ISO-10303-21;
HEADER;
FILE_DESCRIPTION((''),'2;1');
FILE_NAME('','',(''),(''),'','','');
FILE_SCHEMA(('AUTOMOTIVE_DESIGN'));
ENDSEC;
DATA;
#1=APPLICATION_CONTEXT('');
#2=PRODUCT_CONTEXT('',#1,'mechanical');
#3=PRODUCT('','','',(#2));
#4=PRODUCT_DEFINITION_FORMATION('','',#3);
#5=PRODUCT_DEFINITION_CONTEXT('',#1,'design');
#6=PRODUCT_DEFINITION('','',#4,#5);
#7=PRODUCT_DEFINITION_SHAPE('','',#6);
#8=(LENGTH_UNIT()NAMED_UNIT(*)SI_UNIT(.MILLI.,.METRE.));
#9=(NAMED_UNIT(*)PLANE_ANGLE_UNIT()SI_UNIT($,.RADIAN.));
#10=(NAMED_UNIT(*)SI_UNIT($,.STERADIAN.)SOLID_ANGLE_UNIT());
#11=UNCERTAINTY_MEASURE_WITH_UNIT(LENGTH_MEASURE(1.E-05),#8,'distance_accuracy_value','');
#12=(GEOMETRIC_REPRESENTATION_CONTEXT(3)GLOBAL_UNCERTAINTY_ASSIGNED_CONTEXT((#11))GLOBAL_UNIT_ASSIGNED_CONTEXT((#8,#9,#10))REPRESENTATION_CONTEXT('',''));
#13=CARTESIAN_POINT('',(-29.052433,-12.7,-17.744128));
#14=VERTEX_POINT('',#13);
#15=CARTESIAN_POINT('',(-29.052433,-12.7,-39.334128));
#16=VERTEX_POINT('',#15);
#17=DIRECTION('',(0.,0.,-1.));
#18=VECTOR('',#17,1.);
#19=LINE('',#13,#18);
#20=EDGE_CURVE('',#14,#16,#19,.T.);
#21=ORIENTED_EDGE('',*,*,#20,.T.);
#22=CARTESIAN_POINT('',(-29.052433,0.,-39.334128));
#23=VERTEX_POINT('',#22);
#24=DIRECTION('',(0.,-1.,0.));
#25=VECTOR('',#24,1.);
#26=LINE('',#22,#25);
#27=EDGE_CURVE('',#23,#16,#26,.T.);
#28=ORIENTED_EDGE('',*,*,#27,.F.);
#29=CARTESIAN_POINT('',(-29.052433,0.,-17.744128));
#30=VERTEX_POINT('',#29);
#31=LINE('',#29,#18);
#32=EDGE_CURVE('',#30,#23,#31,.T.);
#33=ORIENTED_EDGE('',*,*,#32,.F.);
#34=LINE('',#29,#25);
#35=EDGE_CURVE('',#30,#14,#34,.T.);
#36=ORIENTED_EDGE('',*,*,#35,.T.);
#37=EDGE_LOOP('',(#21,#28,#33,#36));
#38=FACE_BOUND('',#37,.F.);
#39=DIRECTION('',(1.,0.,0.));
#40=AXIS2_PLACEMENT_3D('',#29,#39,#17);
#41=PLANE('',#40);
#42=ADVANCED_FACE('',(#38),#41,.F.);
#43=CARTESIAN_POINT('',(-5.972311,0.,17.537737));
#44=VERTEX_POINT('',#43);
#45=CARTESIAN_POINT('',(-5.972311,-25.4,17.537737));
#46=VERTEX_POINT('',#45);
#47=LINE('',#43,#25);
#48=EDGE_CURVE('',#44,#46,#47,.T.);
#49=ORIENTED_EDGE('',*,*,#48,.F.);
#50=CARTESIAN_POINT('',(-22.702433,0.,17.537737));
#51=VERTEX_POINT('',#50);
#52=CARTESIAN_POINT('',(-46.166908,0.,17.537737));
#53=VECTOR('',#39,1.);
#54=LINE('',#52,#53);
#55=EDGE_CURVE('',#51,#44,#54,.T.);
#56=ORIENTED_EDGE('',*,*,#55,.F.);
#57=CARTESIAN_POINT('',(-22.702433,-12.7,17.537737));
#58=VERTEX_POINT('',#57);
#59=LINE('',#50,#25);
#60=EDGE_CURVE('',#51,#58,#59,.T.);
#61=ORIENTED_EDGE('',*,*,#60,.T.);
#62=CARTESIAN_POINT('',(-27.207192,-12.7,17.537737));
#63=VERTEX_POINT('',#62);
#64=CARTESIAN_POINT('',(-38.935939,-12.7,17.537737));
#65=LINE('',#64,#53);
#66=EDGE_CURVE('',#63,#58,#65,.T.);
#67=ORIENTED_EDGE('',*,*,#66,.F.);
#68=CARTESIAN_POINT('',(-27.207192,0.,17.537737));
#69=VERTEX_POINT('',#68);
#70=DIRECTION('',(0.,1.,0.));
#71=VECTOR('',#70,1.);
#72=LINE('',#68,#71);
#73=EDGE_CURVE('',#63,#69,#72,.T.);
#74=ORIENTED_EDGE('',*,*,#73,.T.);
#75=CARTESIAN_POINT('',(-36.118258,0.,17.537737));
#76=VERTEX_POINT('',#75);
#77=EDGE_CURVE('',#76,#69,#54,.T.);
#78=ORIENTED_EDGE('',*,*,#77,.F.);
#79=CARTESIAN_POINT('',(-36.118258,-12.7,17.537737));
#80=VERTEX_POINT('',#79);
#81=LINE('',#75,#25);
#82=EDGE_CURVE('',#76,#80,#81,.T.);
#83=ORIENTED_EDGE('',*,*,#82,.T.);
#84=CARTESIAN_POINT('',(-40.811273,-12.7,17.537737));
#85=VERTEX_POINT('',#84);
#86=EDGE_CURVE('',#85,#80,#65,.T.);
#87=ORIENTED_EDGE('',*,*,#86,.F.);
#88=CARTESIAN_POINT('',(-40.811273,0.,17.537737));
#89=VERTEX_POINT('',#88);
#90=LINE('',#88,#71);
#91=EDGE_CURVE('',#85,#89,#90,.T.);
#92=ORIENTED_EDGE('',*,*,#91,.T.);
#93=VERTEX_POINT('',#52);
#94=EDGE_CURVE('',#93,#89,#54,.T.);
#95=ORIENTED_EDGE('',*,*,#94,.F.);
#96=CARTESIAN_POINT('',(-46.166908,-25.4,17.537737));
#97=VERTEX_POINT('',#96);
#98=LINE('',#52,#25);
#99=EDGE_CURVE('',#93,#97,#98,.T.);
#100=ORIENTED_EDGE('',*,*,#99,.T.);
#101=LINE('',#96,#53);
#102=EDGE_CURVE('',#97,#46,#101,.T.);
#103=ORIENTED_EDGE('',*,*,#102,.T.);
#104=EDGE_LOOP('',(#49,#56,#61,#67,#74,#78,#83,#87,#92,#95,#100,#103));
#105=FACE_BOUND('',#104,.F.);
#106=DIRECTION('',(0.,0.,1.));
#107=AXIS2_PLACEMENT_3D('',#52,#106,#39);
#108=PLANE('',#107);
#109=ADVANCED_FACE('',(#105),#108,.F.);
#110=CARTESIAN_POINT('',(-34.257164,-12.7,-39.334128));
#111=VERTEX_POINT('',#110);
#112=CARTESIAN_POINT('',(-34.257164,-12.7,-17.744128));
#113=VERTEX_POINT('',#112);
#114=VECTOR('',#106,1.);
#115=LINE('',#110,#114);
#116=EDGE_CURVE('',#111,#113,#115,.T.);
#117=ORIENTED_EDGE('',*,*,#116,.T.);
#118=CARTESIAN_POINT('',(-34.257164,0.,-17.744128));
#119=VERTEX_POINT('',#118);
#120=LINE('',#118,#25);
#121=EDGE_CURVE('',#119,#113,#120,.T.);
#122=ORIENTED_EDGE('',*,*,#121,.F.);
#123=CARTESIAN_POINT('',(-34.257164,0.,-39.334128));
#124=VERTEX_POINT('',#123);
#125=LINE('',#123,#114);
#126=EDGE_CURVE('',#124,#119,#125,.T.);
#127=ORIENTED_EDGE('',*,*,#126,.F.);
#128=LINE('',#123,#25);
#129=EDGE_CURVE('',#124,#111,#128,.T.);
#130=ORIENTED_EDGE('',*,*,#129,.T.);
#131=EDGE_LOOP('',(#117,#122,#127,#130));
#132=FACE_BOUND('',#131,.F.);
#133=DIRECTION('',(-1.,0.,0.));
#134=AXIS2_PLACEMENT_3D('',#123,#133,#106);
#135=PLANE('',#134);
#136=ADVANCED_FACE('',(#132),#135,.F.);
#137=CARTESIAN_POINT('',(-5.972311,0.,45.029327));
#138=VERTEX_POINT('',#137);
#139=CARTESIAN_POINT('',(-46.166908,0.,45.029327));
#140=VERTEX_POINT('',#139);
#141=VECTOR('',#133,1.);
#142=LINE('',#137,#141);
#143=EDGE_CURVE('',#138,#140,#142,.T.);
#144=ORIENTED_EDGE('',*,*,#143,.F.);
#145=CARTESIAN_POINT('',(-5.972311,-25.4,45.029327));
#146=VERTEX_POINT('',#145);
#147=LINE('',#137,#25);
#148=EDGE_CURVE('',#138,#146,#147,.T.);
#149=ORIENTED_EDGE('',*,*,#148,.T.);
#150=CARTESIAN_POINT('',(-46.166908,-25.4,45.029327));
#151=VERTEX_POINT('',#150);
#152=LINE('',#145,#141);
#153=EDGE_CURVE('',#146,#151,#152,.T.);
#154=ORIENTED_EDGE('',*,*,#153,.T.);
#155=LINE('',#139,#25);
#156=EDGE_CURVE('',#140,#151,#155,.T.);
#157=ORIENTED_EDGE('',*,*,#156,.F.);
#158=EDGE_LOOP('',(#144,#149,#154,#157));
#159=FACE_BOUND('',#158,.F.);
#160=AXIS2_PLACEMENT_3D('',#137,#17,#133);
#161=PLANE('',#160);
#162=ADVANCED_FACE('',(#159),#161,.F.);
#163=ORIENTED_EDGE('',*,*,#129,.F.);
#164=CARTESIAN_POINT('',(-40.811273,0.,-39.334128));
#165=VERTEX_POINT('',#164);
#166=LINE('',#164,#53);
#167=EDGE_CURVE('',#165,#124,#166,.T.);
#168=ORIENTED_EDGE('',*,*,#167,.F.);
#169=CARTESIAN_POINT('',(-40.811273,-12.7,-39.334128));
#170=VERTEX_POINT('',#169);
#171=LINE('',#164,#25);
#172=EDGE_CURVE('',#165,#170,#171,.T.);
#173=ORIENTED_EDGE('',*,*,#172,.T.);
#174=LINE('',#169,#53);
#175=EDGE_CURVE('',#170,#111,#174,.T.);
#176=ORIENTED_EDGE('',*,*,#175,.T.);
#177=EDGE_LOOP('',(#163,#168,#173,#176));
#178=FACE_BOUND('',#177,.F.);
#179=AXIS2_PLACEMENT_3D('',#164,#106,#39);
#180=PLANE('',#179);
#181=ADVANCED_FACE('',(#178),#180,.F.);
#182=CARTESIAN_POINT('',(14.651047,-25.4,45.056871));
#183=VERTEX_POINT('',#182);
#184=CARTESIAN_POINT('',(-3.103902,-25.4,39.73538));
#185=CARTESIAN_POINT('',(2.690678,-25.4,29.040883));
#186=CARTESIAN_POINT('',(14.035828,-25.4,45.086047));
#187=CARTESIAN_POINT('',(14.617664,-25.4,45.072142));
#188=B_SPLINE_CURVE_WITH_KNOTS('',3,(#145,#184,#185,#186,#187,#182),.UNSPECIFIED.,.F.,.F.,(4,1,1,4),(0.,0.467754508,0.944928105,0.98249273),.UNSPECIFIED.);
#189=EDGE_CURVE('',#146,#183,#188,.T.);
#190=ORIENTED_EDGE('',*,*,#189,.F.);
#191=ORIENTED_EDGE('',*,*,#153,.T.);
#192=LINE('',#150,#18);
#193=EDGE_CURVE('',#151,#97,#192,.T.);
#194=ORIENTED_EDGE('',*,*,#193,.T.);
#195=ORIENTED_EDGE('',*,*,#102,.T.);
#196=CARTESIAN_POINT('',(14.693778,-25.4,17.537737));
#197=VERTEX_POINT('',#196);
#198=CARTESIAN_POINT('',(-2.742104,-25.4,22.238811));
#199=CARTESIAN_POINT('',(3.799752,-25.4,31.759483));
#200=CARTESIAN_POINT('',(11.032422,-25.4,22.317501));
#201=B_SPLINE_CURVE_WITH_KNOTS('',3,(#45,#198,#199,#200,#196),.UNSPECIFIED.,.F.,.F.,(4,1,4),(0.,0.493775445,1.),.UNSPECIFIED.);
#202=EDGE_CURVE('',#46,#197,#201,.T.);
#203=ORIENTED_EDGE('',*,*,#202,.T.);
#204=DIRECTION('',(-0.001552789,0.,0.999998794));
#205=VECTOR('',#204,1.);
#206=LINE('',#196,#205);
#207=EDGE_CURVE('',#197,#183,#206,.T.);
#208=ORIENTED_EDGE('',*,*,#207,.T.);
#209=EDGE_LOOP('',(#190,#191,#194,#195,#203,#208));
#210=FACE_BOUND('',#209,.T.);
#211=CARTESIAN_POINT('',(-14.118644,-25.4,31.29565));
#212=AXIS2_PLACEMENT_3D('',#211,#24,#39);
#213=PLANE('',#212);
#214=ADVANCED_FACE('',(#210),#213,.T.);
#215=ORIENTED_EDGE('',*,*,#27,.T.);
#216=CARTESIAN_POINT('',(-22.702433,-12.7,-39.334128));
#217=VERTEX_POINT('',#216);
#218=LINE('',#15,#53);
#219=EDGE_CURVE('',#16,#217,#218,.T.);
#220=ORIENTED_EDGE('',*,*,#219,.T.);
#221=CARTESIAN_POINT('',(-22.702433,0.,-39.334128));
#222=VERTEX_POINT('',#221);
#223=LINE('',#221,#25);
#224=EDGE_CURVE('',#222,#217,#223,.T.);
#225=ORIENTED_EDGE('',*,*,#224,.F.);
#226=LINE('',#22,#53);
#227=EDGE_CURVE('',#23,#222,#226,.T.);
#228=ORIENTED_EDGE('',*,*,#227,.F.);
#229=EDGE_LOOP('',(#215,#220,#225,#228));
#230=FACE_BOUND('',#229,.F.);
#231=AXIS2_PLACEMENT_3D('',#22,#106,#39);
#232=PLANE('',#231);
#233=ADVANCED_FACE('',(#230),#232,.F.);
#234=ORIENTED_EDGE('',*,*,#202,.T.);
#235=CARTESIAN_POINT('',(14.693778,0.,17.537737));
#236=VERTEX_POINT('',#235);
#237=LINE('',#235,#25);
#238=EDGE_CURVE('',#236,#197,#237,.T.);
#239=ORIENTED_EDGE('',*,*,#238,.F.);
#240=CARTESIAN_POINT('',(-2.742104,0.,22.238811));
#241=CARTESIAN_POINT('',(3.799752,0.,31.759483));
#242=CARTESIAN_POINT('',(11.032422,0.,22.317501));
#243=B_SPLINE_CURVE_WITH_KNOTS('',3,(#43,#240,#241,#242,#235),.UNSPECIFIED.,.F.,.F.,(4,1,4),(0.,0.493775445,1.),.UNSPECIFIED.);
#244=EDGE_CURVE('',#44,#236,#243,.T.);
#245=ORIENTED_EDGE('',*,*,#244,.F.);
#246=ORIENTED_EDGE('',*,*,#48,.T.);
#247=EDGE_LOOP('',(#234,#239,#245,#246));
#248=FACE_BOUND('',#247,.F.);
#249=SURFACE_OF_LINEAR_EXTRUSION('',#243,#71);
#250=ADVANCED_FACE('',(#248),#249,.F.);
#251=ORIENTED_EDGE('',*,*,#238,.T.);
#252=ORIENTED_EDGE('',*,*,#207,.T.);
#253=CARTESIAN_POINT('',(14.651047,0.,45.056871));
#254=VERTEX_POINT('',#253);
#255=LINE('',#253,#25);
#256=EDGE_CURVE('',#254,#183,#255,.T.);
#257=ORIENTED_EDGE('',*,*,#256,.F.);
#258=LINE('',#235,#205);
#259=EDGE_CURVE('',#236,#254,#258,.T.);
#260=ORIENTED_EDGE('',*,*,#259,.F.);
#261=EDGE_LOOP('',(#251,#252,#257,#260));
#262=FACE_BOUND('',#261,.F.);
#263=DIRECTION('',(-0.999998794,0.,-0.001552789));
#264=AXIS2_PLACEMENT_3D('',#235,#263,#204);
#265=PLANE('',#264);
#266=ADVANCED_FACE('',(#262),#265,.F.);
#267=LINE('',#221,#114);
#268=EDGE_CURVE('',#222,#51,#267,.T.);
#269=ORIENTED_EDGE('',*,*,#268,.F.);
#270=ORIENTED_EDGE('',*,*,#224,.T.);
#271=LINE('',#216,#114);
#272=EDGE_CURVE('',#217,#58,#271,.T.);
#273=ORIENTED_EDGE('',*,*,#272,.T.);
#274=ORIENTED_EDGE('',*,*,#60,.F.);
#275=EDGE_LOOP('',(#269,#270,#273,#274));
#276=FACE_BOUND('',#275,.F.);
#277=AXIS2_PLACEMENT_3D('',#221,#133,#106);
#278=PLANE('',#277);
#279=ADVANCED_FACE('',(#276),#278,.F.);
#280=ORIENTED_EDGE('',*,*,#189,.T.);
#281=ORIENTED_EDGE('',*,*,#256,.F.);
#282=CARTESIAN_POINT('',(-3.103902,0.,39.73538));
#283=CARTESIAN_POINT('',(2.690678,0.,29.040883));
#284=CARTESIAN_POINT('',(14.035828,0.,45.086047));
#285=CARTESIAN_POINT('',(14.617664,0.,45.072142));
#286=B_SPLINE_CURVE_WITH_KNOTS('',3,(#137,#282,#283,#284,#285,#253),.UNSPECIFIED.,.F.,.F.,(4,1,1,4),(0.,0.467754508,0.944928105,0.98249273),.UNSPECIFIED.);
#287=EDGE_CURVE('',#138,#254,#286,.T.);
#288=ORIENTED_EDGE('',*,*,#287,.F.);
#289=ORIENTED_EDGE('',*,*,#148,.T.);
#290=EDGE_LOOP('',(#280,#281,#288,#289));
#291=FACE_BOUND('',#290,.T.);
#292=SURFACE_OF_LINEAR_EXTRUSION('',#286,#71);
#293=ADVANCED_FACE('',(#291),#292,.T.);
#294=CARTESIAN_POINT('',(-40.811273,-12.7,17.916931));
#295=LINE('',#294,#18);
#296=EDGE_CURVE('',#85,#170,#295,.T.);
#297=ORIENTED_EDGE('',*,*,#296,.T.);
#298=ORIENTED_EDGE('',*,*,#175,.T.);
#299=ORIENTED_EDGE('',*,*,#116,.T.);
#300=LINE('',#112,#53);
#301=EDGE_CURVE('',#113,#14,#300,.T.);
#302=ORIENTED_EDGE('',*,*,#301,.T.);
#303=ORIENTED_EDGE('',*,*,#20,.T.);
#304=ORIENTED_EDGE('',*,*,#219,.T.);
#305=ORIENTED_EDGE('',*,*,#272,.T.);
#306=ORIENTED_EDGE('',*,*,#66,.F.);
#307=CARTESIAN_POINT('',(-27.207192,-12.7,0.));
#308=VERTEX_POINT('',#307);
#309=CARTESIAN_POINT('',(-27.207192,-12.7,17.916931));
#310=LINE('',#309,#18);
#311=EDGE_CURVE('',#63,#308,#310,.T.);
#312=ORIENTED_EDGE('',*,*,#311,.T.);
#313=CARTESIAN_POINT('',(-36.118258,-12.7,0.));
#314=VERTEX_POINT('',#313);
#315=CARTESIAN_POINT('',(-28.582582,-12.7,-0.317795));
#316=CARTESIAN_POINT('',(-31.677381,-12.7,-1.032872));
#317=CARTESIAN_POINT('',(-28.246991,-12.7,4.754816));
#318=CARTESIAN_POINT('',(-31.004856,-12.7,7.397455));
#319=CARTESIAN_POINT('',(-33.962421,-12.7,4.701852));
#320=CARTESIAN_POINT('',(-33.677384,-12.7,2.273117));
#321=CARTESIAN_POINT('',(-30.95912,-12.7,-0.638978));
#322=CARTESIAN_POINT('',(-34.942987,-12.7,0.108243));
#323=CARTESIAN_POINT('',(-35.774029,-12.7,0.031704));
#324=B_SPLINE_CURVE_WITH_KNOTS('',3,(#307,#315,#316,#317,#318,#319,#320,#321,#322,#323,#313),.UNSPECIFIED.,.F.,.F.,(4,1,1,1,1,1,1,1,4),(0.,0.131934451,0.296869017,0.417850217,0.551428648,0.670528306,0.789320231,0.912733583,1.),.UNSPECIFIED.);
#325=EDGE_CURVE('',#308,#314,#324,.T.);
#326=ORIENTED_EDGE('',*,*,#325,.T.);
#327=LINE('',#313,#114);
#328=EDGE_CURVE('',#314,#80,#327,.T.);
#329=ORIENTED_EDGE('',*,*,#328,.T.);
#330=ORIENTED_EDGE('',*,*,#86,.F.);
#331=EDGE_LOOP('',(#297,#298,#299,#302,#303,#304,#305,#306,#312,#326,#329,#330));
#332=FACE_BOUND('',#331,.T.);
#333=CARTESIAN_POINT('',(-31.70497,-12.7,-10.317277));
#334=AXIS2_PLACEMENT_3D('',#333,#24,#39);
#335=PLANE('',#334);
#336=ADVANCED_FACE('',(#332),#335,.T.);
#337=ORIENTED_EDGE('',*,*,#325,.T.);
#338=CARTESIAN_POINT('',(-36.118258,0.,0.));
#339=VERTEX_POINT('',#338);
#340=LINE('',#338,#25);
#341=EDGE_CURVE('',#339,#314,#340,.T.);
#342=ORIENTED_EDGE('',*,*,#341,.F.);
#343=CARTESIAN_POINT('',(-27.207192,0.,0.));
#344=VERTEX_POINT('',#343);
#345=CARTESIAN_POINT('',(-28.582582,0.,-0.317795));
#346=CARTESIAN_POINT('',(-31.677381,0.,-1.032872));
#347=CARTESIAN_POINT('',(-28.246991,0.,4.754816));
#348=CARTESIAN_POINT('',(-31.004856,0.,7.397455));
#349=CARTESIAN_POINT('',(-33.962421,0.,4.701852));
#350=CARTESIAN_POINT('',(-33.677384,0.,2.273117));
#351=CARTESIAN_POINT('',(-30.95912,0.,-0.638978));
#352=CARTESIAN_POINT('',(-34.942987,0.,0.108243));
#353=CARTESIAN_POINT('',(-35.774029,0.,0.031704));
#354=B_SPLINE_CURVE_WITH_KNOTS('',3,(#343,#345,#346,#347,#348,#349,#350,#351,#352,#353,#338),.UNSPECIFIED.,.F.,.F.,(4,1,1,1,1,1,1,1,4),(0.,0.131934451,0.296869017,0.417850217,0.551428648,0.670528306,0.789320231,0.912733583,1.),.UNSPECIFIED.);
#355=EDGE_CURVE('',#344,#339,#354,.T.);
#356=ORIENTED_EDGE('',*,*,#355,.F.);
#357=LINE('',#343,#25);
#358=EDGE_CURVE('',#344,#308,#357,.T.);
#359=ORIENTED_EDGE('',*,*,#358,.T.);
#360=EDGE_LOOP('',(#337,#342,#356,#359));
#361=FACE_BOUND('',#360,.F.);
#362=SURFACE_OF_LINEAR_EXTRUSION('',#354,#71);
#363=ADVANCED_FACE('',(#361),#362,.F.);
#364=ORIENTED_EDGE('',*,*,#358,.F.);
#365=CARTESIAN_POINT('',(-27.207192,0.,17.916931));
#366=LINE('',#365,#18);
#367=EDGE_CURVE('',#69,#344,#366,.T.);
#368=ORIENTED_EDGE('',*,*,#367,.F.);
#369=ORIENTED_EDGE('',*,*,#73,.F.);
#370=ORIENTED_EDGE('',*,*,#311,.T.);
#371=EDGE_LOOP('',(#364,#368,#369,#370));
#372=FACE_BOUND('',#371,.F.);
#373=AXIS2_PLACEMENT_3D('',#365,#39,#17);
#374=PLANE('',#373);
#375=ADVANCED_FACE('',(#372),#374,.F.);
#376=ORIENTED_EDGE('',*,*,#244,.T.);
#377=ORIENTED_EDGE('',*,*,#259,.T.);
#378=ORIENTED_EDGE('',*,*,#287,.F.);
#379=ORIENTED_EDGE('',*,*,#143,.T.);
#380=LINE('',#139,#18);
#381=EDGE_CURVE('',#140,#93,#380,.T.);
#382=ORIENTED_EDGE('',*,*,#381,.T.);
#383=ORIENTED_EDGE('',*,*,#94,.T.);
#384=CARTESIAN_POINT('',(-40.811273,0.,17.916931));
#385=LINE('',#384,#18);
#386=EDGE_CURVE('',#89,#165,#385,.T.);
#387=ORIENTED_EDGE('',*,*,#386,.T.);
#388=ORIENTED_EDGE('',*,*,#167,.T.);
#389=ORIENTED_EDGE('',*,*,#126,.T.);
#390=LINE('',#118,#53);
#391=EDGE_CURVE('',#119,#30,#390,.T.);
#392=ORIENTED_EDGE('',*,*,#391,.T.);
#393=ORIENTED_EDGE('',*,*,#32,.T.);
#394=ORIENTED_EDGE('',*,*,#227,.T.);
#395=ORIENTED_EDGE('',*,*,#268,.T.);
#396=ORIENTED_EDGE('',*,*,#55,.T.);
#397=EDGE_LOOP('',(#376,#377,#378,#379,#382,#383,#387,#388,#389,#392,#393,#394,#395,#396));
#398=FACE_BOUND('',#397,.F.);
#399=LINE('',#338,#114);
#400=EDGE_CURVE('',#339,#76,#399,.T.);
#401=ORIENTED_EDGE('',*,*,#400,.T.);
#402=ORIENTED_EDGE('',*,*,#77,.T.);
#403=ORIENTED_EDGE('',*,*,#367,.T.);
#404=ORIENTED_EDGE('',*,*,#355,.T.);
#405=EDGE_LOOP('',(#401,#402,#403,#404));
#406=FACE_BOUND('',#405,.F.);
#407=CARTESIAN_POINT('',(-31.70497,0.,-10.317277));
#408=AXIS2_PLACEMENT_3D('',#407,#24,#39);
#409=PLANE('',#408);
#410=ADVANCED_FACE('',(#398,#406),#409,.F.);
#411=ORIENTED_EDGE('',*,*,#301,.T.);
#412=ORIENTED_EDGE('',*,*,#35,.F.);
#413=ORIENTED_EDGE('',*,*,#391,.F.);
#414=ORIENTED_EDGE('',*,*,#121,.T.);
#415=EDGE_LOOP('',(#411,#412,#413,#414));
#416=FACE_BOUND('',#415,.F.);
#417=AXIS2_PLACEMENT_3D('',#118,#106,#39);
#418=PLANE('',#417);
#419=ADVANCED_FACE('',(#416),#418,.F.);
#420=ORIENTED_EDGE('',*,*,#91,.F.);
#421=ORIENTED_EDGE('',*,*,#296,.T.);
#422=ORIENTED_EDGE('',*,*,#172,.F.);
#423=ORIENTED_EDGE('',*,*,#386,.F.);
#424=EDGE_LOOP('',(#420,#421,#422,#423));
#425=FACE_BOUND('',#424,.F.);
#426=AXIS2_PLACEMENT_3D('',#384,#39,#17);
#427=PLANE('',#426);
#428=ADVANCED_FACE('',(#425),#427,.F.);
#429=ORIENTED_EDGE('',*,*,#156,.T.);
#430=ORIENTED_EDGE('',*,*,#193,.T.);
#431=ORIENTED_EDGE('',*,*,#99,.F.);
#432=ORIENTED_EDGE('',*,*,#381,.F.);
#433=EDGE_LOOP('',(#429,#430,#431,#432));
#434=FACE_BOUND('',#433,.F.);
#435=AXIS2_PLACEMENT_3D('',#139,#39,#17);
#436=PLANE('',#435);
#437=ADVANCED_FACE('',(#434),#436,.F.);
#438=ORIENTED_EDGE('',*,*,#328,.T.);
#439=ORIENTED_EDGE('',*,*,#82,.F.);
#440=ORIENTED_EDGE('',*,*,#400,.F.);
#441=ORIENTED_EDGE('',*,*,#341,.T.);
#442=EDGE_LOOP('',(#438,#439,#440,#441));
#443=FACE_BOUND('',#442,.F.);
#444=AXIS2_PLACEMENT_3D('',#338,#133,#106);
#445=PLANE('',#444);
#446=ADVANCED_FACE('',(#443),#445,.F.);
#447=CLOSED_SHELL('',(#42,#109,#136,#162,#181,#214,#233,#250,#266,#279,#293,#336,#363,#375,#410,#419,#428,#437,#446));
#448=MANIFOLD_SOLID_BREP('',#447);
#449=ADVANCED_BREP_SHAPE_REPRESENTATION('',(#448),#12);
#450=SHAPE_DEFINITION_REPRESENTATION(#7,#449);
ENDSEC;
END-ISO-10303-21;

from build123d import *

# Parameters (mm, degrees)
F1_DEPTH = 25.4
F3_DEPTH = 12.7


with BuildPart() as f1:
    # F0 (on Front) → F1 (new body)
    with BuildSketch(Plane.XZ):
        with BuildLine():
            Line((-5.9723113663, 45.0293272734), (-46.1669079959, 45.0293272734))
            Line((-46.1669079959, 45.0293272734), (-46.1669079959, 17.5377372652))
            Line((-46.1669079959, 17.5377372652), (-5.9723113663, 17.5377372652))
            add(Edge.make_bspline(
                [(-5.9723113663, 17.5377372652), (-2.7421037419, 22.2388113669), (3.7997517849, 31.7594834628), (11.0324224964, 22.3175007577), (14.6937780082, 17.5377372652)],
                knots=[0, 0, 0, 0, 0.4937754451, 1, 1, 1, 1], degree=3))
            Line((14.6937780082, 17.5377372652), (14.6510465513, 45.0568711834))
            add(Edge.make_bspline(
                [(-5.9723113663, 45.0293272734), (-3.1039018596, 39.7353803072), (2.6906778005, 29.0408831168), (14.035828108, 45.0860466111), (14.6176635276, 45.0721417685), (14.6510465513, 45.0568711834)],
                knots=[0, 0, 0, 0, 0.4677545083, 0.944928105, 0.9824927302, 0.9824927302, 0.9824927302, 0.9824927302], degree=3))
        make_face()
    extrude(amount=F1_DEPTH)

    # F2 (on Front) → F3 (join)
    with BuildSketch(Plane.XZ):
        with BuildLine():
            Line((-40.8112728043, -17.1658259542), (-40.8112728043, -39.3341283589))
            Line((-40.8112728043, -39.3341283589), (-34.2571637339, -39.3341283589))
            Line((-34.2571637339, -39.3341283589), (-34.2571637339, -17.7441283589))
            Line((-34.2571637339, -17.7441283589), (-29.0524326225, -17.7441283589))
            Line((-29.0524326225, -17.7441283589), (-29.0524326225, -39.3341283589))
            Line((-29.0524326225, -39.3341283589), (-22.7024326225, -39.3341283589))
            Line((-22.7024326225, -39.3341283589), (-22.7024326225, -17.1658259542))
            Line((-22.7024326225, -17.1658259542), (-22.7024326225, 0))
            Line((-22.7024326225, 0), (-22.7024326225, 17.9169308394))
            Line((-22.7024326225, 17.9169308394), (-27.2071920335, 17.9169308394))
            Line((-27.2071920335, 17.9169308394), (-27.2071920335, 0))
            add(Edge.make_bspline(
                [(-27.2071920335, 0), (-28.5825818847, -0.3177946326), (-31.6773810864, -1.0328723065), (-28.2469905577, 4.7548163588), (-31.0048564618, 7.3974553181), (-33.9624208414, 4.7018522539), (-33.6773839228, 2.2731173072), (-30.9591203554, -0.6389776746), (-34.9429871553, 0.1082431292), (-35.7740289914, 0.0317036785), (-36.1182577908, 0)],
                knots=[0, 0, 0, 0, 0.131934451, 0.2968690174, 0.4178502166, 0.5514286485, 0.6705283065, 0.7893202312, 0.9127335825, 1, 1, 1, 1], degree=3))
            Line((-36.1182577908, 0), (-36.1182577908, 17.9169308394))
            Line((-36.1182577908, 17.9169308394), (-40.8112728043, 17.9169308394))
            Line((-40.8112728043, 17.9169308394), (-40.8112728043, 0))
            Line((-40.8112728043, 0), (-40.8112728043, -17.1658259542))
        make_face()
    extrude(amount=F3_DEPTH)


solid = f1.part
